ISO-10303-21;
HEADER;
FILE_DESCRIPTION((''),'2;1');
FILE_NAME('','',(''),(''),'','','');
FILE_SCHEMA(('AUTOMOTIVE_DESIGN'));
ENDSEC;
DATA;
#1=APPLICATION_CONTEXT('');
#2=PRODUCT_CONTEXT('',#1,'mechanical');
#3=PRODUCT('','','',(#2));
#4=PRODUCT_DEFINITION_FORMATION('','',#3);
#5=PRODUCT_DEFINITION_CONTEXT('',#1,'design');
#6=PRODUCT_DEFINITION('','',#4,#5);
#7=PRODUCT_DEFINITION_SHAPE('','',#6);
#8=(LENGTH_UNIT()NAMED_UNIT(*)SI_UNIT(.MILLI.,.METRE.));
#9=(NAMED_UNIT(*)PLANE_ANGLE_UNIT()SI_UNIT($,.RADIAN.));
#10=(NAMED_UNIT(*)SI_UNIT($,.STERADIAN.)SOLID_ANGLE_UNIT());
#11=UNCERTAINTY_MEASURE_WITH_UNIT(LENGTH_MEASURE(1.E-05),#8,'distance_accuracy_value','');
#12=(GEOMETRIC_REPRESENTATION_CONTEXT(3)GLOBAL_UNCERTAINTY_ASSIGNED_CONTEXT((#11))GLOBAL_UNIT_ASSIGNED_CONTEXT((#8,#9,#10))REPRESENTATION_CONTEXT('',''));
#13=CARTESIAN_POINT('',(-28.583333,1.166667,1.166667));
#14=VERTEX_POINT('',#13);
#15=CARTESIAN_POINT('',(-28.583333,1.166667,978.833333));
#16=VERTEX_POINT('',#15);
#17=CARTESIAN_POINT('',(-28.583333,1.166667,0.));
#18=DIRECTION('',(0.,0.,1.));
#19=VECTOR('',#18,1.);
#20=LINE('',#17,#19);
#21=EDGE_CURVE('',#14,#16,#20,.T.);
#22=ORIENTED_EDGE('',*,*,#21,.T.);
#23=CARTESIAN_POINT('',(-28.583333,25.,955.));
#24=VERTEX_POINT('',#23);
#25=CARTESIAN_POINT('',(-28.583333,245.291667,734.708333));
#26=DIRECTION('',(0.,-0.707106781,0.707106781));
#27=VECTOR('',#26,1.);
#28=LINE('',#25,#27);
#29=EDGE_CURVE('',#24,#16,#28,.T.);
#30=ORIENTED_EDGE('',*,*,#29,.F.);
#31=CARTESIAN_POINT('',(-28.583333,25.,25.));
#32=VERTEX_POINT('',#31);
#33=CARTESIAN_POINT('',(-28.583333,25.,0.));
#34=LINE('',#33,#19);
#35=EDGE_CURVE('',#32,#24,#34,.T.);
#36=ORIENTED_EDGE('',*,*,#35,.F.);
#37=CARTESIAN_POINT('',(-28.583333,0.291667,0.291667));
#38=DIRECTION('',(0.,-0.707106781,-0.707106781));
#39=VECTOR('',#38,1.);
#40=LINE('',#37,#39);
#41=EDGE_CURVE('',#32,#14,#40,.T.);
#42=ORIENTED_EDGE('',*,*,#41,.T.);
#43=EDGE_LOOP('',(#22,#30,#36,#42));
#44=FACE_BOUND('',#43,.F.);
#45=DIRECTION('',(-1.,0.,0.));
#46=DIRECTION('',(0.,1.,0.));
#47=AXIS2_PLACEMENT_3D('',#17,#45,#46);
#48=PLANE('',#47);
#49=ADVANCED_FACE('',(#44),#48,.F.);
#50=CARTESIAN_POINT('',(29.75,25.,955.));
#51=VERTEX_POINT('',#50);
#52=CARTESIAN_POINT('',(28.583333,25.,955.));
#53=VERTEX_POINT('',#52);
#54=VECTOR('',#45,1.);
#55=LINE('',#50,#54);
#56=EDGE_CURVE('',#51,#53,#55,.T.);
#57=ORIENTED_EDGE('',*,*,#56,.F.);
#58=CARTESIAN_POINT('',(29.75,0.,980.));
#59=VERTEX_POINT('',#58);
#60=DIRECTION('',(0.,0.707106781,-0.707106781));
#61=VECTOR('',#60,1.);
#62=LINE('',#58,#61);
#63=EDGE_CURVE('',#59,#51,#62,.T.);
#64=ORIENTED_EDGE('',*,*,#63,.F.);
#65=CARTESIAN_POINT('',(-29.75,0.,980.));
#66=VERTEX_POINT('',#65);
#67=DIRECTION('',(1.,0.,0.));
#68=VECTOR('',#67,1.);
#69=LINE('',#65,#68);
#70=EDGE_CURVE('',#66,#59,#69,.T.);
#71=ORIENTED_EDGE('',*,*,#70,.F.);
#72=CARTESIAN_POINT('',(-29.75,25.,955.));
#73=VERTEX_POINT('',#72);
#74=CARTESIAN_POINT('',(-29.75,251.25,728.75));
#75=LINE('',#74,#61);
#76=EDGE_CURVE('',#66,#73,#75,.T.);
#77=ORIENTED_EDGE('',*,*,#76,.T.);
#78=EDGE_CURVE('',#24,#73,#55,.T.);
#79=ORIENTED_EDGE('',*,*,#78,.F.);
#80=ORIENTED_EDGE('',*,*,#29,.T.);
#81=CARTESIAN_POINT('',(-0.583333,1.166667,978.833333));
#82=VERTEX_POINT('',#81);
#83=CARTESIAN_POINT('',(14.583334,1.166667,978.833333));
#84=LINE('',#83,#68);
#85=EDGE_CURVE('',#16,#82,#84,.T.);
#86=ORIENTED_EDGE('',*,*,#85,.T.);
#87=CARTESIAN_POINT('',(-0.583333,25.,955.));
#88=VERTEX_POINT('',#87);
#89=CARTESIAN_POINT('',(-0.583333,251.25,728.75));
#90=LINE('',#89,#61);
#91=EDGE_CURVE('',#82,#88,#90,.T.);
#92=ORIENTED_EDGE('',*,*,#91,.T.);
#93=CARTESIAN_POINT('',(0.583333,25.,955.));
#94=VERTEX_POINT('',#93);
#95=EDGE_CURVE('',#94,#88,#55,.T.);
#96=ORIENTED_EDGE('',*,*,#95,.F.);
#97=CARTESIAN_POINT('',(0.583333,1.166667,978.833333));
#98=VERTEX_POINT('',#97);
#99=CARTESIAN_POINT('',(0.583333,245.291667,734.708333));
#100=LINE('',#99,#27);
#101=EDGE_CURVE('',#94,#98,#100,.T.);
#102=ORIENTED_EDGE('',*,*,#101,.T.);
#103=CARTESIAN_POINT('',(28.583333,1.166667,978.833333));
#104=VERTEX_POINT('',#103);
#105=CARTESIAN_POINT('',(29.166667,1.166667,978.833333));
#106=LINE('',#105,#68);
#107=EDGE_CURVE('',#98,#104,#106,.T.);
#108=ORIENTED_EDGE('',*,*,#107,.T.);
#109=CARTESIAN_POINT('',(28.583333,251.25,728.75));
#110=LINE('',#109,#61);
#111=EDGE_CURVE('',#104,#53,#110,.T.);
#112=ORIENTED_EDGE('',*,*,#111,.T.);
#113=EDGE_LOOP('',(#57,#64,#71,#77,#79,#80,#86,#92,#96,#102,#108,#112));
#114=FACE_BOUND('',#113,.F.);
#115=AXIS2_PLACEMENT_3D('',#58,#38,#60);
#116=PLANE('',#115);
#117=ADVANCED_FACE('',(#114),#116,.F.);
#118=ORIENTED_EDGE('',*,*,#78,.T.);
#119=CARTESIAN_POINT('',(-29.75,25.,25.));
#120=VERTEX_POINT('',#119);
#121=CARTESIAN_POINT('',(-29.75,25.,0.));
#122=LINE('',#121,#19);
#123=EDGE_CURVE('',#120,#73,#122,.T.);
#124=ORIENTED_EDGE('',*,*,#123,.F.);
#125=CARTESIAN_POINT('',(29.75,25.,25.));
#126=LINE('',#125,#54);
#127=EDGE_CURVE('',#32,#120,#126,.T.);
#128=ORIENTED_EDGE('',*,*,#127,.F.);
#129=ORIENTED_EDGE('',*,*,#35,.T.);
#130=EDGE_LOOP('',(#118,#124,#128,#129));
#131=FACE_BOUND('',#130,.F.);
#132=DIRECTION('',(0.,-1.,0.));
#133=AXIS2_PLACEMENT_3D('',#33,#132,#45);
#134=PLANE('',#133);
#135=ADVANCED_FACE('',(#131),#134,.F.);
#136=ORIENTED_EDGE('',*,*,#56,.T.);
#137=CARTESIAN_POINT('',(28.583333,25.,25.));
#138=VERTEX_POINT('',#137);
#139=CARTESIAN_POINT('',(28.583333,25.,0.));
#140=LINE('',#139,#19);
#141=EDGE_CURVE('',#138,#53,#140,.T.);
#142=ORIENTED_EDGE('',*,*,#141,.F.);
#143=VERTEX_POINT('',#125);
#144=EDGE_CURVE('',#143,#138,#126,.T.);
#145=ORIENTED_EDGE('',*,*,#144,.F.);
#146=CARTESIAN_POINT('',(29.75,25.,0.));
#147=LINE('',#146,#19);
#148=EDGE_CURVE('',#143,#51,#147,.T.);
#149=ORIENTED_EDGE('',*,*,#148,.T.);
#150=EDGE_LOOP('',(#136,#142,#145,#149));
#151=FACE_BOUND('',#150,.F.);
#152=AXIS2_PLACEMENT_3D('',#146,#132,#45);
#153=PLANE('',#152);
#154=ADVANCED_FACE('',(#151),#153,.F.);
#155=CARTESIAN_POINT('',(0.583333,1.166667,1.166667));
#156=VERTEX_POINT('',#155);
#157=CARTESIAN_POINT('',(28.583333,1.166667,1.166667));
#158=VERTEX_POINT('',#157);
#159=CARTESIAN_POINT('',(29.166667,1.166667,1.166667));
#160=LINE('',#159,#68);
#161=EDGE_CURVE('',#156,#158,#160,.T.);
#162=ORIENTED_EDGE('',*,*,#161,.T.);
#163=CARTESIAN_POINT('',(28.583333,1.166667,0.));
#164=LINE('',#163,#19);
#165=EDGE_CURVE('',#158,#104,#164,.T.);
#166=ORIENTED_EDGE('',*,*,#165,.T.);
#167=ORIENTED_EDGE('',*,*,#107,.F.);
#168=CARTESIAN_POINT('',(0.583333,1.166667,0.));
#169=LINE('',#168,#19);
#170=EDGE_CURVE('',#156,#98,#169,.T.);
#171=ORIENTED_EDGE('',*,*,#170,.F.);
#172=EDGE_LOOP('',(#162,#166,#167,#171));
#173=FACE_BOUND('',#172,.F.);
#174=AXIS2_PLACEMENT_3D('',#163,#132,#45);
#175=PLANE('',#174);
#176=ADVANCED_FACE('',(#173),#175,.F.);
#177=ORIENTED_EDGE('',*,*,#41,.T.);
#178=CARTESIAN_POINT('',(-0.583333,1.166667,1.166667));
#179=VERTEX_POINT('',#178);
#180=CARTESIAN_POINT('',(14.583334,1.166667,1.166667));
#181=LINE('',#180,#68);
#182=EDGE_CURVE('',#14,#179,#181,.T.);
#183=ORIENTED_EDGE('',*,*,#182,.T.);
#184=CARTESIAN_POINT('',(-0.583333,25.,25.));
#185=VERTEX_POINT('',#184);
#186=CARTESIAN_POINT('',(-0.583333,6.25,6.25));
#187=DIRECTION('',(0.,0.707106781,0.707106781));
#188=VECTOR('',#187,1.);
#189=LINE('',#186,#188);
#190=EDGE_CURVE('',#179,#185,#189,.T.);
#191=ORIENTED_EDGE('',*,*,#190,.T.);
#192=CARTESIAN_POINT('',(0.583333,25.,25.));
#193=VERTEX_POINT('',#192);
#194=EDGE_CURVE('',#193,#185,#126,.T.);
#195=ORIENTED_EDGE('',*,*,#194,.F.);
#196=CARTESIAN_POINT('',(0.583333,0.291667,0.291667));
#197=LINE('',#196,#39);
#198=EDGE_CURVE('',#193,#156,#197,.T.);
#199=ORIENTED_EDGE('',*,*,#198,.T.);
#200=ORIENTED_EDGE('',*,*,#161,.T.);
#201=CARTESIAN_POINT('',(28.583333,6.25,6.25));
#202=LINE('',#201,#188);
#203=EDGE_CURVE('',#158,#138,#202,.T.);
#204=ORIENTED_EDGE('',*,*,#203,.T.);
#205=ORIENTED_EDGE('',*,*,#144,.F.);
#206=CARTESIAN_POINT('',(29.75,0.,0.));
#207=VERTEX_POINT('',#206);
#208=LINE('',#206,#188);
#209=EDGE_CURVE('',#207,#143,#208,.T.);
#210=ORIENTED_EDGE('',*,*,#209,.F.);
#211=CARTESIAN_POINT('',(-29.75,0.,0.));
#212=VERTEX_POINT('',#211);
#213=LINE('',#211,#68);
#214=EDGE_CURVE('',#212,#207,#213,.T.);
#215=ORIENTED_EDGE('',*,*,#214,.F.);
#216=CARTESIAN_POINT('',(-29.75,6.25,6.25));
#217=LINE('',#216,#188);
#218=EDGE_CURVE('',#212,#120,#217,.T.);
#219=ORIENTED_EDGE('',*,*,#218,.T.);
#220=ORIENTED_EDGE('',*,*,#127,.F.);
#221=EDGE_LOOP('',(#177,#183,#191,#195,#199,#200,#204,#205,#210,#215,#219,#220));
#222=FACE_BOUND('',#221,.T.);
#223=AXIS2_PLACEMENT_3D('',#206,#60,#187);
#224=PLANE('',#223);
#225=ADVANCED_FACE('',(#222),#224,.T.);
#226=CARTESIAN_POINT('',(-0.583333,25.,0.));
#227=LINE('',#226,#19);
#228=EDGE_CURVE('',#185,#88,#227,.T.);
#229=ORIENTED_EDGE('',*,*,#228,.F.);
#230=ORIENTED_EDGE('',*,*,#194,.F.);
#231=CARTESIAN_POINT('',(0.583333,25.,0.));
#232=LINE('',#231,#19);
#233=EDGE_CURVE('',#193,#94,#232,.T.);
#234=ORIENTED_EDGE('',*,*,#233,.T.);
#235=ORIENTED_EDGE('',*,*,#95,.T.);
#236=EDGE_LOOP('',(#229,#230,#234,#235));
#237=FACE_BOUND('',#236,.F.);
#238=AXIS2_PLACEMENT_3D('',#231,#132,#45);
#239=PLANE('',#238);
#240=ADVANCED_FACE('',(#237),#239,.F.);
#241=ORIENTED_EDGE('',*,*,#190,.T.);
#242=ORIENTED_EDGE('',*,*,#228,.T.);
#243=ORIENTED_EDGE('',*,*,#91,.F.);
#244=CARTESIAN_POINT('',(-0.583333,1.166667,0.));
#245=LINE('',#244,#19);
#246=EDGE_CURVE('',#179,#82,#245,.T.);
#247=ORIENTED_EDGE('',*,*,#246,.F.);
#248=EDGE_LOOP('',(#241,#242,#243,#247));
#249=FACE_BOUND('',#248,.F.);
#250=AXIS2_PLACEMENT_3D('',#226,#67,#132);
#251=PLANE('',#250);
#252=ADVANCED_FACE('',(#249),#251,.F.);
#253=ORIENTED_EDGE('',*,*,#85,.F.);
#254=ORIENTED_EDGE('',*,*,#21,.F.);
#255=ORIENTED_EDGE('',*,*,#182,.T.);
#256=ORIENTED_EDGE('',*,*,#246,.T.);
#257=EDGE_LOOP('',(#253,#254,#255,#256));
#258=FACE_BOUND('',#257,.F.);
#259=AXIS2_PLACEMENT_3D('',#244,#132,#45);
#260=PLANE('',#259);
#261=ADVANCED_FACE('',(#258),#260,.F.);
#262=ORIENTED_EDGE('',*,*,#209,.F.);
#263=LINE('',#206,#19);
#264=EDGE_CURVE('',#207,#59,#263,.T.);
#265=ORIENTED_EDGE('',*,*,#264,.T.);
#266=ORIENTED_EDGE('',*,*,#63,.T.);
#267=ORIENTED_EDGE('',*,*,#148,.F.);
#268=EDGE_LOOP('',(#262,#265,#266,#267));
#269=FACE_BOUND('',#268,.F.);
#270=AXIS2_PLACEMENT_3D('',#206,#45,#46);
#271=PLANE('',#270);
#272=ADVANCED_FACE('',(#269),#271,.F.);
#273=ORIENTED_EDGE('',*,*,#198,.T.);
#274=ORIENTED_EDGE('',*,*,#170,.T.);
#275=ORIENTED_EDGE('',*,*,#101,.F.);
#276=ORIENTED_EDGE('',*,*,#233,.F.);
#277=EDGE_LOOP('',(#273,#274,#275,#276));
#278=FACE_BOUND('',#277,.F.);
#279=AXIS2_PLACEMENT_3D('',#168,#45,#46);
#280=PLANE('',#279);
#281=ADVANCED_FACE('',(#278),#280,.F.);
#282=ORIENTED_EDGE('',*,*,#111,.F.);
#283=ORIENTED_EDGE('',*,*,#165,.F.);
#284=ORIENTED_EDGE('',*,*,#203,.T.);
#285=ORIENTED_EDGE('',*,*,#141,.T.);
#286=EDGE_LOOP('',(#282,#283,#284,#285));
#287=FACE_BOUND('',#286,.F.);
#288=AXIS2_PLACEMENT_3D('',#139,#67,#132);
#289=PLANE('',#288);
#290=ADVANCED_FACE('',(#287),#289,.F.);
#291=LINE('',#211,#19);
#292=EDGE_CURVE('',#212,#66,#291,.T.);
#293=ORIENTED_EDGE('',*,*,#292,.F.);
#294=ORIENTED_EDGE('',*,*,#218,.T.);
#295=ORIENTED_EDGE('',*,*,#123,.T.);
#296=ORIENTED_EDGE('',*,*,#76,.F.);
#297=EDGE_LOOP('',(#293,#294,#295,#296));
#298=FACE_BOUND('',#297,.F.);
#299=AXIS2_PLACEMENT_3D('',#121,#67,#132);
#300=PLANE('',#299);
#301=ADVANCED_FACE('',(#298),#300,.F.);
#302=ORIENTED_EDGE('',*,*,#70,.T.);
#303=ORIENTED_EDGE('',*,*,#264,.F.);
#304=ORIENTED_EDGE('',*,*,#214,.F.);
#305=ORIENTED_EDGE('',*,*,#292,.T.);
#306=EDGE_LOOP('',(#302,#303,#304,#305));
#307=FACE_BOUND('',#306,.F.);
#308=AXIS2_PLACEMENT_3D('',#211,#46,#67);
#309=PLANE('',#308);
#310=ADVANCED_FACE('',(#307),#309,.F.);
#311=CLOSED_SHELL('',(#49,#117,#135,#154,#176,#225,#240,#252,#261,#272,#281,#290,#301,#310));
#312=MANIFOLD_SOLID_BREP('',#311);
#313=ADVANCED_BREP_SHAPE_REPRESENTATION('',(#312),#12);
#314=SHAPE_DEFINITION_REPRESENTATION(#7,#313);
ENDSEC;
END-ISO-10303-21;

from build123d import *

# Parameters (mm, degrees)
PAD_DEPTH       = 980
POCKET_DEPTH    = 59.501
POCKET001_DEPTH = 59.501


with BuildPart() as part:
    # Sketch → Pad (new body)
    with BuildSketch(Plane.XY):
        Polygon((-29.75, 25), (-29.75, 0), (29.75, 0), (29.75, 25), (28.583333, 25), (28.583333, 1.166667), (0.583333, 1.166667), (0.583333, 25), (-0.583333, 25), (-0.583333, 1.166667), (-28.583333, 1.166667), (-28.583333, 25), align=None)
    extrude(amount=PAD_DEPTH)

    # Sketch001 (on Face3 of Pad) → Pocket (cut, through all)
    with BuildSketch(Plane.YZ.offset(29.75)):
        Polygon((0, 0), (25, 25), (25, 0), align=None)
    extrude(amount=-POCKET_DEPTH, mode=Mode.SUBTRACT)

    # Sketch002 (on Face6 of Pocket) → Pocket001 (cut, through all)
    with BuildSketch(Plane.YZ.offset(29.75)):
        Polygon((0, 980), (25, 955), (25, 980), align=None)
    extrude(amount=-POCKET001_DEPTH, mode=Mode.SUBTRACT)


solid = part.part
